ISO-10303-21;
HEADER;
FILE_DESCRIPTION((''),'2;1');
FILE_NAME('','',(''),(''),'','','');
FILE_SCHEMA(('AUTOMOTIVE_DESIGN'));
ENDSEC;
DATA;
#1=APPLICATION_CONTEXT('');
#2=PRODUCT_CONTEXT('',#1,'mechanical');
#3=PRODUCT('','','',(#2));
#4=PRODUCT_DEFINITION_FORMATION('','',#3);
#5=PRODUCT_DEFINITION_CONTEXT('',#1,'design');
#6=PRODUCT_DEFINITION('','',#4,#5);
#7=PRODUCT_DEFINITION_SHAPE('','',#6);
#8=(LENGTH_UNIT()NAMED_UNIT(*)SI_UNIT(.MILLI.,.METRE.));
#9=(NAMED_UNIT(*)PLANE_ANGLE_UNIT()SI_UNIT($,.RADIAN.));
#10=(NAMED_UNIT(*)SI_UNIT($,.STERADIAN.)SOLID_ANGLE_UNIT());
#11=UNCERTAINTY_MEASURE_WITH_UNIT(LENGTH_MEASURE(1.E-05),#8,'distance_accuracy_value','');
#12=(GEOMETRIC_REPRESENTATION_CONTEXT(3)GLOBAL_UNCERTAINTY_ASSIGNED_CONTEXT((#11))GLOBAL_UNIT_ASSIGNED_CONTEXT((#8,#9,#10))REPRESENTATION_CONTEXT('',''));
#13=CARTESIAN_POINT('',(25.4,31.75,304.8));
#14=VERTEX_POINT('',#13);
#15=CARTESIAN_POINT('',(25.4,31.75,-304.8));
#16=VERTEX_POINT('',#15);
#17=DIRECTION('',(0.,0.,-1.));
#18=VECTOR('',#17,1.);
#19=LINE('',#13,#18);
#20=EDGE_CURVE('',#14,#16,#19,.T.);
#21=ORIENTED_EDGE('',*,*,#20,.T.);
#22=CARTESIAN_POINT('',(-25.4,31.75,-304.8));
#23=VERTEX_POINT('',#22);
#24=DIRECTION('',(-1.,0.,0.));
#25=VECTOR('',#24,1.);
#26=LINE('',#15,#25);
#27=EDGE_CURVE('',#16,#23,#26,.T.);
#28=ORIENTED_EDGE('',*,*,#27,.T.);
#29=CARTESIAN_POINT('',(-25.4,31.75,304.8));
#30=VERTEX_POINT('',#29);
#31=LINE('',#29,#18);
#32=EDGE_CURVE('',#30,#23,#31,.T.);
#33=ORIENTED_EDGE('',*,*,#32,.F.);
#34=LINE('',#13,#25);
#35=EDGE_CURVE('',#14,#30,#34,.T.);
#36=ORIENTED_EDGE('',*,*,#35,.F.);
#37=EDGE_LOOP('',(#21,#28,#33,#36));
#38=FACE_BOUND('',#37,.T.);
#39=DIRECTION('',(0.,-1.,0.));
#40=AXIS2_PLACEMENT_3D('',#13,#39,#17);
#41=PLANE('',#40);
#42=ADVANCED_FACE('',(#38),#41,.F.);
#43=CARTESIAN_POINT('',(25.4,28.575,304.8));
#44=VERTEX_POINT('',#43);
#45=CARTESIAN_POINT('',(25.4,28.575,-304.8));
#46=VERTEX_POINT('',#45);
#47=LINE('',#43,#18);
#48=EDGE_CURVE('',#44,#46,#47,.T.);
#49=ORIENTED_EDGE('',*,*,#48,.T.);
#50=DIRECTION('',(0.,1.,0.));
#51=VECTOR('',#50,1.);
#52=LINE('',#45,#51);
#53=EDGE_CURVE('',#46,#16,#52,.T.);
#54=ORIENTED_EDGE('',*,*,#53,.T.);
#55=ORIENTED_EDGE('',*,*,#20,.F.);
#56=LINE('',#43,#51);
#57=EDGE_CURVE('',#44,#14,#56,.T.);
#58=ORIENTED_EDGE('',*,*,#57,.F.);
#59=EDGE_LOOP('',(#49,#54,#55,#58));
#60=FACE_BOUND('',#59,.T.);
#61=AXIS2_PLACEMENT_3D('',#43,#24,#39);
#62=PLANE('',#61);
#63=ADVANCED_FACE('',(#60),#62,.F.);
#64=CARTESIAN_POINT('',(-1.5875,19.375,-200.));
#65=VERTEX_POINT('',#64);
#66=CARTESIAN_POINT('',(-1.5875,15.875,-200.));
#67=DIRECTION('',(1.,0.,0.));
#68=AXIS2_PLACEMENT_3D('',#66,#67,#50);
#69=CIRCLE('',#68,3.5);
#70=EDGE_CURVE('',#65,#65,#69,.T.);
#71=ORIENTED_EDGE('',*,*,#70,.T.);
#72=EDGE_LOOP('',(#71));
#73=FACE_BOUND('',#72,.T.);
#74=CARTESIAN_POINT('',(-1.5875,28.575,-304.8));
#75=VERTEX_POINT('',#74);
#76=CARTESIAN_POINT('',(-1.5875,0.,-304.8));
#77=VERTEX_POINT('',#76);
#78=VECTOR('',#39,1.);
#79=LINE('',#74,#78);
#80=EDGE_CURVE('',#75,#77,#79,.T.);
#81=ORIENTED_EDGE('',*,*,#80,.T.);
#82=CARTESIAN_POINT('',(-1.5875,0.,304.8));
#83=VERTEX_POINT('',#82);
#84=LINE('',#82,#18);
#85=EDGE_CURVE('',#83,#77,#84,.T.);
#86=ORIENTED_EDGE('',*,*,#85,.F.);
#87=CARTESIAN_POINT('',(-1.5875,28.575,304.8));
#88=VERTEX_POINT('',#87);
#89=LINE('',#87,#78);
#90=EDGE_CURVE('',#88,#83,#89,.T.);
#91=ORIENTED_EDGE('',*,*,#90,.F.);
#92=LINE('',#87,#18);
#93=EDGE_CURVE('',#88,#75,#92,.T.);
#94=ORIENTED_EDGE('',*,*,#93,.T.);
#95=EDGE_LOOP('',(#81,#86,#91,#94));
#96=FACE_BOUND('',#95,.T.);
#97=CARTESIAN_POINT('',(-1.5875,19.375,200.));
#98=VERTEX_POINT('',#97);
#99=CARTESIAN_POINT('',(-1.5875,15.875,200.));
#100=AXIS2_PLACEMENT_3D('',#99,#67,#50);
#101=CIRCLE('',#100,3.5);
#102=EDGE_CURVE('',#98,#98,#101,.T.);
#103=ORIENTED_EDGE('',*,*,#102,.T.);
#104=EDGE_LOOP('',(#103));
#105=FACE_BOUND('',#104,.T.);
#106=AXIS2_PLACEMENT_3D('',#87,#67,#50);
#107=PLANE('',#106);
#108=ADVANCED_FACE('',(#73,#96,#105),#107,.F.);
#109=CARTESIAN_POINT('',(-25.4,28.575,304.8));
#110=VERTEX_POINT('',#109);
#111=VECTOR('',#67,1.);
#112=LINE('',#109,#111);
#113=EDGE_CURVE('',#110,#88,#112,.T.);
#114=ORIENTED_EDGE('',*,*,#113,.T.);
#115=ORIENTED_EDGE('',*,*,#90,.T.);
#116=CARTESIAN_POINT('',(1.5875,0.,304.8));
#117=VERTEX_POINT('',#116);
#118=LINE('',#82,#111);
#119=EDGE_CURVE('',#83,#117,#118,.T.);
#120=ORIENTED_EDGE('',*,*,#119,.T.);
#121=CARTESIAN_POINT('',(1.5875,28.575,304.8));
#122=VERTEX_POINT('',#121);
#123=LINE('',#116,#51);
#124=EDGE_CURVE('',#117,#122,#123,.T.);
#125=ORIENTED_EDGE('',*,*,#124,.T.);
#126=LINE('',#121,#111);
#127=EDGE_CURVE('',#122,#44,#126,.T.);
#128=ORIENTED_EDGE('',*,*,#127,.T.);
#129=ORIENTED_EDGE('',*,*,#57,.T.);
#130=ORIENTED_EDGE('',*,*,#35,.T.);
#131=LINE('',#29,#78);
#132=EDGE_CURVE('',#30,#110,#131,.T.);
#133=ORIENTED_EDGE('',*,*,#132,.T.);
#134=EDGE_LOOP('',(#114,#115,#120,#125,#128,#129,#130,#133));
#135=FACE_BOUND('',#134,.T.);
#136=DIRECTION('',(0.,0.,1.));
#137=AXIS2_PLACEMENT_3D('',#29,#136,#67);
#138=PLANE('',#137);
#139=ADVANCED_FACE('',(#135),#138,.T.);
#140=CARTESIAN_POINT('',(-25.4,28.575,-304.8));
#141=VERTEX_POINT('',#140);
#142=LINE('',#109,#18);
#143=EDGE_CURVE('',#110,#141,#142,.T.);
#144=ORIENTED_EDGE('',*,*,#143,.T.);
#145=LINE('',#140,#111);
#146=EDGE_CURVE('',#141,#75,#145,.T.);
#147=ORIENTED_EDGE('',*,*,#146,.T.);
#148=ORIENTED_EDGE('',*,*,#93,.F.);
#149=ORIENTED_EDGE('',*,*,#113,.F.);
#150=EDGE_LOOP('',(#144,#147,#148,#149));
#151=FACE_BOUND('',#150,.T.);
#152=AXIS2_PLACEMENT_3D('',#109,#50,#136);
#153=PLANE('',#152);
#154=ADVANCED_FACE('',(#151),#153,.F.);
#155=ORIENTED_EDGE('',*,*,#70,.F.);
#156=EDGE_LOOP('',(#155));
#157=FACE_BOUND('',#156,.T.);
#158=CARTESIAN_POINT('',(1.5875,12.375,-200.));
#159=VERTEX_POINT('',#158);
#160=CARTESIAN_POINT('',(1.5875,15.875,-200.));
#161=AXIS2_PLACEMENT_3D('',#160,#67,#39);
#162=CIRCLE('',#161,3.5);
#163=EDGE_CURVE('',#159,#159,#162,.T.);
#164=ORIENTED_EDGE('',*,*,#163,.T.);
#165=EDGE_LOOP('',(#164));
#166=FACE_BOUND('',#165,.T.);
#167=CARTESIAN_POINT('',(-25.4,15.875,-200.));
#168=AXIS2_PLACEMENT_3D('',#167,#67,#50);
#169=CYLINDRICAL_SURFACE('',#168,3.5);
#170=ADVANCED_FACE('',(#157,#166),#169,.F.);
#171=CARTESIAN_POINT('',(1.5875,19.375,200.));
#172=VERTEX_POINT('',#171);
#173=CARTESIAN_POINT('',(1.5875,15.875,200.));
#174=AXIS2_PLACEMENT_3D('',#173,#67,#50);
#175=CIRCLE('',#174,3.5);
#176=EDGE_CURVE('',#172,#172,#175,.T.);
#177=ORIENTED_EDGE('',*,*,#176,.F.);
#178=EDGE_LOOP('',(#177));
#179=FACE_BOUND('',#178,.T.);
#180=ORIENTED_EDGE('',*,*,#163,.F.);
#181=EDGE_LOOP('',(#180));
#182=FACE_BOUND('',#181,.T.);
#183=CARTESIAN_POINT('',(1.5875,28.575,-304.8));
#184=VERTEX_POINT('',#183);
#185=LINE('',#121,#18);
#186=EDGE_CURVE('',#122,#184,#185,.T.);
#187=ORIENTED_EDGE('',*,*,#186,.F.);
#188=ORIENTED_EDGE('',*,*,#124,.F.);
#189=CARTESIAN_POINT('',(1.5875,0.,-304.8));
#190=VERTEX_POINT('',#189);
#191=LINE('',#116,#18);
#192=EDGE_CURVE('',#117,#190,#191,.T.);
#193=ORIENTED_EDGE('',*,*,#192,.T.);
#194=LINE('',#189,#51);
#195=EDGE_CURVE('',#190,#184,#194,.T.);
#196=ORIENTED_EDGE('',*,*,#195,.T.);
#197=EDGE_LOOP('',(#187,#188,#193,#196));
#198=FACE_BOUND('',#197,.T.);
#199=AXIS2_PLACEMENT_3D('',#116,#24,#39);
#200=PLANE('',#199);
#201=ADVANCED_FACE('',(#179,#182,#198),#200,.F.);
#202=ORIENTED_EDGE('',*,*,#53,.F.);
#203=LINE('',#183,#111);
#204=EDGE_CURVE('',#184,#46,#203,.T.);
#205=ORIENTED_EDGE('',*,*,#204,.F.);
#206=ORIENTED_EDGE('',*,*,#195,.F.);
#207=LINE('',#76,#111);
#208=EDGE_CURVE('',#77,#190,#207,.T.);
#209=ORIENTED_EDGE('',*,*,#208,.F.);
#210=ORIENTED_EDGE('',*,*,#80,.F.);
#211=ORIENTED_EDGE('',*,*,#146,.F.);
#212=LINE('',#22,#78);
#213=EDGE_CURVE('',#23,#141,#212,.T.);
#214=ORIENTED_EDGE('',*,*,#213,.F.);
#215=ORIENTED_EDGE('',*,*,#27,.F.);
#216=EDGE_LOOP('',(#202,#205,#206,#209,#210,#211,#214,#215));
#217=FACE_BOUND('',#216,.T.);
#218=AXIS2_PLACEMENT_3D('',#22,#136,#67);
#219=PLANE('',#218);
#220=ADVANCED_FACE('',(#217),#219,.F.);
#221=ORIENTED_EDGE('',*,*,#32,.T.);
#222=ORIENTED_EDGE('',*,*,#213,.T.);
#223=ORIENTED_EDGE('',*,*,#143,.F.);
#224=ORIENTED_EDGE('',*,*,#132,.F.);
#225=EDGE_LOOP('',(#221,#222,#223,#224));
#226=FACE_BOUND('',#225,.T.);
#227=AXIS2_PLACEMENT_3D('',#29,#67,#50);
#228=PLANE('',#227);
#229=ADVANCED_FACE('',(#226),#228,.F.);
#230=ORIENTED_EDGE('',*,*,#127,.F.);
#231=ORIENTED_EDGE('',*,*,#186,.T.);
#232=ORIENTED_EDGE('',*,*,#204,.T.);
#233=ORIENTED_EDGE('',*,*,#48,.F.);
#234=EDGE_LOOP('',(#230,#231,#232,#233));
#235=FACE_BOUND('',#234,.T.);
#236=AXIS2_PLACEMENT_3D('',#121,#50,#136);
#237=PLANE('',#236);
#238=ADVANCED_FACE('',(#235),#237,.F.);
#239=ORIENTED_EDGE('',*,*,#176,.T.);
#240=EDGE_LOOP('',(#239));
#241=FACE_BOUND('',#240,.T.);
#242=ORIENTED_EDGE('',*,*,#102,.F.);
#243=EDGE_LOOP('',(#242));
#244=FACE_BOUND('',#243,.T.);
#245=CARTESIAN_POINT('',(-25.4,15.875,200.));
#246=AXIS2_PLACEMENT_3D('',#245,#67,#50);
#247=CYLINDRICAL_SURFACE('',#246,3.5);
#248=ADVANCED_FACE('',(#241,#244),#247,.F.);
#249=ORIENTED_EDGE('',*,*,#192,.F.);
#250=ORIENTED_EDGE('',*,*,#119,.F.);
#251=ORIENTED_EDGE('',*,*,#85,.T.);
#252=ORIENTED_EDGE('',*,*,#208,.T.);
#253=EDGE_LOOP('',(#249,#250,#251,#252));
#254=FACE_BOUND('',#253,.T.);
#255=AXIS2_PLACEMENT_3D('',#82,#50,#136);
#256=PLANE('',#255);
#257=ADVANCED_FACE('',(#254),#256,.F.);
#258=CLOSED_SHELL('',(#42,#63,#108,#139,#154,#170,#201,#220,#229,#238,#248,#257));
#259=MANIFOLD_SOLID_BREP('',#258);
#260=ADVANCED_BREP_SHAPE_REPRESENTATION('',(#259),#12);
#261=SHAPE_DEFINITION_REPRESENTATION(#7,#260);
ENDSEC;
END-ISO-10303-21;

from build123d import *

# Parameters (mm, degrees)
BOSS_EXTRUDE1_DEPTH = 304.8
SKETCH2_R           = 3.5
CUT_EXTRUDE1_DEPTH  = 308.635218491


with BuildPart() as part:
    # Sketch1 → Boss-Extrude1 (new, symmetric)
    with BuildSketch(Plane.XY):
        Polygon((-25.4, 31.75), (-25.4, 28.575), (-1.5875, 28.575), (-1.5875, 0), (1.5875, 0), (1.5875, 28.575), (25.4, 28.575), (25.4, 31.75), align=None)
    extrude(amount=BOSS_EXTRUDE1_DEPTH, both=True)

    # Sketch2 → Cut-Extrude1 (cut, through all)
    with BuildSketch(Plane(origin=(1.5875, 0, 0), x_dir=(0, 0, -1), z_dir=(1, 0, 0))):
        with Locations(Location((-200, 15.875, 0), (0, 0, 90))):
            Circle(SKETCH2_R)
        with Locations(Location((200, 15.875, 0), (0, 0, 90))):
            Circle(SKETCH2_R)
    extrude(amount=-CUT_EXTRUDE1_DEPTH, mode=Mode.SUBTRACT)


solid = part.part
